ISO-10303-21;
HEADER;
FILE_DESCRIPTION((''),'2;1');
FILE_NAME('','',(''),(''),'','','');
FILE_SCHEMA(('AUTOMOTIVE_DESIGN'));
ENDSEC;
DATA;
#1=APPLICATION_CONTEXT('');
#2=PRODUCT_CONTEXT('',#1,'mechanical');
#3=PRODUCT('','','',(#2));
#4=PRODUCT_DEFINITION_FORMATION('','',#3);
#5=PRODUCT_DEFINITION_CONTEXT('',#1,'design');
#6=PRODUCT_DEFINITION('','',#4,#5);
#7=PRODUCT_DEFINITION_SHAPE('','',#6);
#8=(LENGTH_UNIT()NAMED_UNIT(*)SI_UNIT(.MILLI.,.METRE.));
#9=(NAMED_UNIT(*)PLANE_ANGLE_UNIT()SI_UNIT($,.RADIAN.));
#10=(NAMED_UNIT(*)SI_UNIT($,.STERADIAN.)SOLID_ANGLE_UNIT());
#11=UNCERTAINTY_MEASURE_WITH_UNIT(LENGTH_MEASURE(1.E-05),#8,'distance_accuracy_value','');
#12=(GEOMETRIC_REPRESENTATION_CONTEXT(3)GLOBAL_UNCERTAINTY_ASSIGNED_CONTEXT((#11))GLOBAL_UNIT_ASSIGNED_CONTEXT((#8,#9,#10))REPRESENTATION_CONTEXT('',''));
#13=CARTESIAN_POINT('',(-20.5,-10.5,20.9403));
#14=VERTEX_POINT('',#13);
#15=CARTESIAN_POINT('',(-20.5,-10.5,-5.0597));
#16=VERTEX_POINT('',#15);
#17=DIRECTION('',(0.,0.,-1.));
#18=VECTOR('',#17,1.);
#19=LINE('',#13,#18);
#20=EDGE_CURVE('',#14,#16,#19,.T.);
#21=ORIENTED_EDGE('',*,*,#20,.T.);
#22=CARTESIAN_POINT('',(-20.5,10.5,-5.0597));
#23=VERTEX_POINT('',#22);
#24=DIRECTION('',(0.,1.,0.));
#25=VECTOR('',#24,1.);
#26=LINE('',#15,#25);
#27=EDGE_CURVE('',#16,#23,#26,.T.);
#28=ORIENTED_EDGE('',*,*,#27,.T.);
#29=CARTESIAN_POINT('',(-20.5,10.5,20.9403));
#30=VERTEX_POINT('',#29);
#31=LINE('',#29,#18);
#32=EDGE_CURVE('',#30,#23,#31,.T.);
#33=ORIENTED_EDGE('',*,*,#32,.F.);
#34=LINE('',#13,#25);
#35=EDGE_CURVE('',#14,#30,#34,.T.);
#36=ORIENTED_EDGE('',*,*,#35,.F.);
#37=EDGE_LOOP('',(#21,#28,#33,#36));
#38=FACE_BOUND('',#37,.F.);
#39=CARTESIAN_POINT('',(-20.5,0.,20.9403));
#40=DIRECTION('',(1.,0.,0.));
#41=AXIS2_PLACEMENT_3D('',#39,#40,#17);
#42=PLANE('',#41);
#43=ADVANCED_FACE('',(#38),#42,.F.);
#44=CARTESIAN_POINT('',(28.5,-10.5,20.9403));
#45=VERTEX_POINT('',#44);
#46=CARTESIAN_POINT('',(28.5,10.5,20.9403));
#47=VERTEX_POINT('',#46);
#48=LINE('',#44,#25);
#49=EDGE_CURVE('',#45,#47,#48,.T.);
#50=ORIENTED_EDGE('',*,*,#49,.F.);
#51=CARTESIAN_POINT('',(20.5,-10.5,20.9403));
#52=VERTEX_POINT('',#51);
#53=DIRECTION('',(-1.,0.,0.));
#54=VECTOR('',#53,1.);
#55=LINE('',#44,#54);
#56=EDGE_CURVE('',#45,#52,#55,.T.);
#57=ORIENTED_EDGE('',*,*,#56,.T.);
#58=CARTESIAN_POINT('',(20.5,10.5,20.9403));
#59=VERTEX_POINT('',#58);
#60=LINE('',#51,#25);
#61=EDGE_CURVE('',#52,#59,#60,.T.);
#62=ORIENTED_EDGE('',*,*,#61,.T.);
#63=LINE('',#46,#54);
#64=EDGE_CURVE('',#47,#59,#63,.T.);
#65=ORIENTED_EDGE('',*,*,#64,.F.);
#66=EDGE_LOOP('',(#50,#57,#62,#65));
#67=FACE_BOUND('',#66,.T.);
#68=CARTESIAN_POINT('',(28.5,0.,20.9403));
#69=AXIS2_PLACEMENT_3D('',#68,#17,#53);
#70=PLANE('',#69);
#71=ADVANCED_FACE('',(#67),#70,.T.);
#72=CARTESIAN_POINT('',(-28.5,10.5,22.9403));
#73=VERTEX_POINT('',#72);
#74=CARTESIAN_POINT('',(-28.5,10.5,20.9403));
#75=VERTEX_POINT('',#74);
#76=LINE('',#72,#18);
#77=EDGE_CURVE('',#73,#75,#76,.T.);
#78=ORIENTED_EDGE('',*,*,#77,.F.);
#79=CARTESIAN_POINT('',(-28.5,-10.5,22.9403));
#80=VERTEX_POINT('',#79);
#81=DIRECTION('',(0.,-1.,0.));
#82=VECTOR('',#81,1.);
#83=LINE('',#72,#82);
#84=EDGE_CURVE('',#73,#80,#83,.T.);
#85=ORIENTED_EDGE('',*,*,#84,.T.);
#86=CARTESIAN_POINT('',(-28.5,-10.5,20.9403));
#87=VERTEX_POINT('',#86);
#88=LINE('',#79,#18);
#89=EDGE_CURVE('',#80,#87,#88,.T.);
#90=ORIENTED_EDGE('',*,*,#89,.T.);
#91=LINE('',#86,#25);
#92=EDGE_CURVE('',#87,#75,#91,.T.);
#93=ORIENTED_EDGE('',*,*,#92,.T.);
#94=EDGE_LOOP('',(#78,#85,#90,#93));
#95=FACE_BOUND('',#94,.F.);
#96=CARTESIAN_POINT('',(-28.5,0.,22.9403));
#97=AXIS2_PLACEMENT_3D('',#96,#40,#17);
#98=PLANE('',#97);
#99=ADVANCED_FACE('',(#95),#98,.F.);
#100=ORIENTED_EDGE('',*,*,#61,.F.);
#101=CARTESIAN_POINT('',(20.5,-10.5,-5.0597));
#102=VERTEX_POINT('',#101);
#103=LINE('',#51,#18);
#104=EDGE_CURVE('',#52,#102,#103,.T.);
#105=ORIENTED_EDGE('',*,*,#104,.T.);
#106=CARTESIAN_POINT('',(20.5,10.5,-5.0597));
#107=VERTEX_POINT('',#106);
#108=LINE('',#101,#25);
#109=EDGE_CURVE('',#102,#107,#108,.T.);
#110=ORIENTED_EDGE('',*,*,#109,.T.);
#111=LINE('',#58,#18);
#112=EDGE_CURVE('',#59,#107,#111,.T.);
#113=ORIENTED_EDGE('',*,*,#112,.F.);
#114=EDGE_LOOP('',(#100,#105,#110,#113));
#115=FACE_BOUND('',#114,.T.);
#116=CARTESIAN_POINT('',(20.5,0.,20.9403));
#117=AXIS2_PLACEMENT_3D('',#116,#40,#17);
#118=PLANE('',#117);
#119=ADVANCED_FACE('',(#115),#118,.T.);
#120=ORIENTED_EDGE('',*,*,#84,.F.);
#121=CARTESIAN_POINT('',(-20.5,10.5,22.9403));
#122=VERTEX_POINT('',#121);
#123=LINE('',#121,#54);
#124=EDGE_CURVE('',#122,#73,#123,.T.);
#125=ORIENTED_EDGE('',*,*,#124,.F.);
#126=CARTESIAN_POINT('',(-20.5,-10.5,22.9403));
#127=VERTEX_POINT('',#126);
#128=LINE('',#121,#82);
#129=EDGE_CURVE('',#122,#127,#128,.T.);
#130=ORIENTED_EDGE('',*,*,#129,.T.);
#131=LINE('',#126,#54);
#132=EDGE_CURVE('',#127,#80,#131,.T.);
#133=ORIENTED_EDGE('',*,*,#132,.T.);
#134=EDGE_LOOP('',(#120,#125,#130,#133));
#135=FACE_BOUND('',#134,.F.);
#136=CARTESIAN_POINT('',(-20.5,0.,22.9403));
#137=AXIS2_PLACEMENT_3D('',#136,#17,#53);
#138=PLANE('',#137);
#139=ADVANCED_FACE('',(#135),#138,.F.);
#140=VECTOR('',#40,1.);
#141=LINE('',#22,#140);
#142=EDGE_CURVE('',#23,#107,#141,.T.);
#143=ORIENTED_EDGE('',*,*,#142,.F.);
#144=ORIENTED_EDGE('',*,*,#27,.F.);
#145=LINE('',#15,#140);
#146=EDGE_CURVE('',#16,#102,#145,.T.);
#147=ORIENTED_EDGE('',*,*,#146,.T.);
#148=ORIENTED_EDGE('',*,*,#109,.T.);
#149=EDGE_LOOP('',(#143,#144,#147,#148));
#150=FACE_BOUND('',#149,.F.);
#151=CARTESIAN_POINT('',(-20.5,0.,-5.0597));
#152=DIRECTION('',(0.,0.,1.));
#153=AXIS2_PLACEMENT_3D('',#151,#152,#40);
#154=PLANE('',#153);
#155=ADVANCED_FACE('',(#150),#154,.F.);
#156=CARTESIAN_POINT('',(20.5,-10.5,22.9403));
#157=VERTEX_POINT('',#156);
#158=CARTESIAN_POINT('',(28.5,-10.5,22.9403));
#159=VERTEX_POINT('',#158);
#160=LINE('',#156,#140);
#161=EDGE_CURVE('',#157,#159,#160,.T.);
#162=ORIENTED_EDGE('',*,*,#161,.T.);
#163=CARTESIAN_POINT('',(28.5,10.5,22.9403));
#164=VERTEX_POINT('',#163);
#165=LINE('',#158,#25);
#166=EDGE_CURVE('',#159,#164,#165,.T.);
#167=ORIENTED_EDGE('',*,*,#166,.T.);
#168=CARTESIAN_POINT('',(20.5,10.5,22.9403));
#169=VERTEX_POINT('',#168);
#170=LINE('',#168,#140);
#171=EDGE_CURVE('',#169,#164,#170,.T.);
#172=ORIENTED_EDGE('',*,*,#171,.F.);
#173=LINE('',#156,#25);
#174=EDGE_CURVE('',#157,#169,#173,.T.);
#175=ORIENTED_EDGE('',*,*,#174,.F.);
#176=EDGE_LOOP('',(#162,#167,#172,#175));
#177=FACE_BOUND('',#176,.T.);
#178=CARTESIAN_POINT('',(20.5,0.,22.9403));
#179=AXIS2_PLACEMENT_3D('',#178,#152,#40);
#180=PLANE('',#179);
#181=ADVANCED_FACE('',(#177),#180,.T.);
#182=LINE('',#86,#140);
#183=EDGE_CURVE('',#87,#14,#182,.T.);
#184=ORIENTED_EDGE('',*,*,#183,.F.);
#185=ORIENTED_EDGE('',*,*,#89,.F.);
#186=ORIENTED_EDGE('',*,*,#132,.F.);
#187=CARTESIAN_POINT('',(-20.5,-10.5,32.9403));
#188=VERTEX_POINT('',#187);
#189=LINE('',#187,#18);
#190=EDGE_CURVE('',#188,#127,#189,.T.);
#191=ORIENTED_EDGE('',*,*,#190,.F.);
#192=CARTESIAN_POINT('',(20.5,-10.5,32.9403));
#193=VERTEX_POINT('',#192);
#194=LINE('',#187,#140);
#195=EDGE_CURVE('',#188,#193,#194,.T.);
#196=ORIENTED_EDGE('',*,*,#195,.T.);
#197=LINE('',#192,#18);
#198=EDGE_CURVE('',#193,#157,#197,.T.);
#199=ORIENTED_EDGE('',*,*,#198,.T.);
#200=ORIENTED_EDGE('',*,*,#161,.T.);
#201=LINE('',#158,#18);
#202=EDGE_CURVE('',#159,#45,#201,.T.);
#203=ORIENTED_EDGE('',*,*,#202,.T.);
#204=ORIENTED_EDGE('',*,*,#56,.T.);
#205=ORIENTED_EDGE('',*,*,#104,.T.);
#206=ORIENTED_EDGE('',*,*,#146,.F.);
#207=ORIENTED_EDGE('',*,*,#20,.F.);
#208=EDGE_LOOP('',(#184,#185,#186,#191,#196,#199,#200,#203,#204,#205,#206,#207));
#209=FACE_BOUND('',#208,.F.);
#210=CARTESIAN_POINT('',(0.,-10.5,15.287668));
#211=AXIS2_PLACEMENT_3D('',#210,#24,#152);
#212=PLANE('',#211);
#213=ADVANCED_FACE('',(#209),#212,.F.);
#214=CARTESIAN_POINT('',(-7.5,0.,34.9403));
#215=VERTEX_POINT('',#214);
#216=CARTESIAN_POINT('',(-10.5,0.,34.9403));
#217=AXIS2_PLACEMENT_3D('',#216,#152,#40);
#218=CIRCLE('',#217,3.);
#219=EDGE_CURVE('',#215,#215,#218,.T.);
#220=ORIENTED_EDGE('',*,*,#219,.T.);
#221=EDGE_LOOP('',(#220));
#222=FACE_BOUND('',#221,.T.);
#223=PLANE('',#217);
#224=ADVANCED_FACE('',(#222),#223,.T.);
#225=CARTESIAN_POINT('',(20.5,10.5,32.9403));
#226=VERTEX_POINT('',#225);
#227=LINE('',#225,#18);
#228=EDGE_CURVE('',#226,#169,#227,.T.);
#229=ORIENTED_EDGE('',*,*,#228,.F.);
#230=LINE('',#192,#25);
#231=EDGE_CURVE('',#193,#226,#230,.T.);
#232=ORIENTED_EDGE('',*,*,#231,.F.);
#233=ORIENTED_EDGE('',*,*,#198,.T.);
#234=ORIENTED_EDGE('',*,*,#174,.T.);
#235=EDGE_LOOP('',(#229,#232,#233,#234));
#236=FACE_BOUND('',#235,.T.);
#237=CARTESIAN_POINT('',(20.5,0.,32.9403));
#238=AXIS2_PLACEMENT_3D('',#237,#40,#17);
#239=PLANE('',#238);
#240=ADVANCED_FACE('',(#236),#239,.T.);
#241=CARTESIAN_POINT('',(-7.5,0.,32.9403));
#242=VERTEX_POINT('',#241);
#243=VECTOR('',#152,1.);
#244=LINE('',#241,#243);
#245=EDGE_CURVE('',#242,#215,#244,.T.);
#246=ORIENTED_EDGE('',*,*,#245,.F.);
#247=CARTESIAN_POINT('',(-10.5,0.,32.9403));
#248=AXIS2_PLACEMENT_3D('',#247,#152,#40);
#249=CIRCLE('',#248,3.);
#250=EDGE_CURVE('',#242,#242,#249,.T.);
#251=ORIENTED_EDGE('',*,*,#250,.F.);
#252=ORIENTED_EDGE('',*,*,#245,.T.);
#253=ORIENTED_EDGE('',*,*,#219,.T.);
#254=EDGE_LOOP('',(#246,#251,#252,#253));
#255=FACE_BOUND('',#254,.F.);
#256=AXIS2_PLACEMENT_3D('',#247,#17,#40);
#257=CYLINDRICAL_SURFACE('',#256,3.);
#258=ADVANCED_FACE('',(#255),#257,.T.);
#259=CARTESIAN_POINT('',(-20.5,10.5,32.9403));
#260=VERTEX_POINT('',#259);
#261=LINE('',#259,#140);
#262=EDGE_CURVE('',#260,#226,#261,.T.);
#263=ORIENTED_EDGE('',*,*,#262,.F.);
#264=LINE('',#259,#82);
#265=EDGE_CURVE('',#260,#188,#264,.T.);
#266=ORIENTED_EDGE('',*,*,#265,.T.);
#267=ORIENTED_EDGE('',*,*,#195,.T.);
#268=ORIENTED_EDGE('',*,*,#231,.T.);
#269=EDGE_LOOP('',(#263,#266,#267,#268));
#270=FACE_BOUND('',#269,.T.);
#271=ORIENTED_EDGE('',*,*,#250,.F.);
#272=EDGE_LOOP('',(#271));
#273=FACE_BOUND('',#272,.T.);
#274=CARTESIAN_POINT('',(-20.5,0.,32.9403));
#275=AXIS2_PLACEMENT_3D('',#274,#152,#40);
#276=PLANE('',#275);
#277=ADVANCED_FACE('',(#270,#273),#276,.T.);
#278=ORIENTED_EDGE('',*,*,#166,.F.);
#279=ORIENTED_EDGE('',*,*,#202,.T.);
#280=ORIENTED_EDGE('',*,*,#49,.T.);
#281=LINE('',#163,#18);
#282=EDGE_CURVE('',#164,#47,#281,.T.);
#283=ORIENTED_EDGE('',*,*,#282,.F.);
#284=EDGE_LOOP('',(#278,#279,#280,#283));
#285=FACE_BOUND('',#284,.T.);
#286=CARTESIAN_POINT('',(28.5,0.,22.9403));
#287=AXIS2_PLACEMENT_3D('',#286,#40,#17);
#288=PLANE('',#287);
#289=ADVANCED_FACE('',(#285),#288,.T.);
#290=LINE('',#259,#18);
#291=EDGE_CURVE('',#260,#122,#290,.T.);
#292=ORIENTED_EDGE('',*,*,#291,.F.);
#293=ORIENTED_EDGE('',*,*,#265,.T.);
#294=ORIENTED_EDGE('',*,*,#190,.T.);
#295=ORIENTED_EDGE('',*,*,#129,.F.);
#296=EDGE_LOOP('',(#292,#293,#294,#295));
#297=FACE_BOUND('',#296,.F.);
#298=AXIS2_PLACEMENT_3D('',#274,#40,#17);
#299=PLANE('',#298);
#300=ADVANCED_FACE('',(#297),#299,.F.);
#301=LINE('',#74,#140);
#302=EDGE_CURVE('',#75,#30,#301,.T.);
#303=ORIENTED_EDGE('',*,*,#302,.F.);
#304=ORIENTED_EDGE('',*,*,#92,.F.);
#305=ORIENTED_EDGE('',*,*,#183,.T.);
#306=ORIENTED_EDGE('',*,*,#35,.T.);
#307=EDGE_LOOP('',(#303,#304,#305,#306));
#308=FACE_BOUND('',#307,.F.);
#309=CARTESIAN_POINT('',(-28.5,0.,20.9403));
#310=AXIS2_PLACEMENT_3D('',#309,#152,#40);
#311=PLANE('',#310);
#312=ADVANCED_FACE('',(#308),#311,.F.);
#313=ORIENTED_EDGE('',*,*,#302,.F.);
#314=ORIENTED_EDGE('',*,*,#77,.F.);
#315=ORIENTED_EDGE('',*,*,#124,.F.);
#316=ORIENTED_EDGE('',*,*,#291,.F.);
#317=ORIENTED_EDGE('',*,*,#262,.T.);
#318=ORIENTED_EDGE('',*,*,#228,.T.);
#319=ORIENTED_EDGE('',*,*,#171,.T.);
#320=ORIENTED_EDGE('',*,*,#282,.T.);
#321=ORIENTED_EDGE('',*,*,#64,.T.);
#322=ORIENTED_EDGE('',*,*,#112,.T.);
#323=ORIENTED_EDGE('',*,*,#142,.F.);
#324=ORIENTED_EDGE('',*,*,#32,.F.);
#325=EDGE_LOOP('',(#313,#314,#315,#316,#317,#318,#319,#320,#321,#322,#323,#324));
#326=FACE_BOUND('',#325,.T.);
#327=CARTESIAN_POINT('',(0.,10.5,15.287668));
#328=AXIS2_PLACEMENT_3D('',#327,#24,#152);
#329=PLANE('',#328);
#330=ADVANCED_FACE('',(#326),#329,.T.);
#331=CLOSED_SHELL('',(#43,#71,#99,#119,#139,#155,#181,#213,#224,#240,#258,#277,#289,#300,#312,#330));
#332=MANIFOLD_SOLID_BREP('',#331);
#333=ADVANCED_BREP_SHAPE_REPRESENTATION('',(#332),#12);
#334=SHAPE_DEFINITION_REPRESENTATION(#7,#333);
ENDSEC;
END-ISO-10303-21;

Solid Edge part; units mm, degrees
sketch "Sketch1" plane through (0, 0, 0) normal (0, -1, 0) x (1, 0, 0)
  line L0 (-20.5, 32.9403) -> (20.5, 32.9403)
  line L1 (20.5, 32.9403) -> (20.5, 22.9403)
  line L2 (20.5, 22.9403) -> (28.5, 22.9403)
  line L3 (28.5, 22.9403) -> (28.5, 20.9403)
  line L4 (28.5, 20.9403) -> (20.5, 20.9403)
  line L5 (20.5, 20.9403) -> (20.5, -5.0597)
  line L6 (-20.5, -5.0597) -> (20.5, -5.0597)
  line L7 (-20.5, 20.9403) -> (-20.5, -5.0597)
  line L8 (-28.5, 20.9403) -> (-20.5, 20.9403)
  line L9 (-28.5, 22.9403) -> (-28.5, 20.9403)
  line L10 (-20.5, 22.9403) -> (-28.5, 22.9403)
  line L11 (-20.5, 32.9403) -> (-20.5, 22.9403)
  dimension "D1" = 41
  dimension "D2" = 10
  dimension "D3" = 2
  dimension "D4" = 26
  dimension "D5" = 8
extrude "Protrusion1" add sketch "Sketch1" along normal mid plane 21
sketch "Sketch2" plane through (0, 0, 32.9403) normal (0, 0, 1) x (1, 0, 0)
  circle A0 centre (-10.5, 0) radius 3
  dimension "D1" = 10
  dimension "D2" = 6
extrude "ProtrusiónExtruida_2" add sketch "Sketch2" along normal mid plane 4
